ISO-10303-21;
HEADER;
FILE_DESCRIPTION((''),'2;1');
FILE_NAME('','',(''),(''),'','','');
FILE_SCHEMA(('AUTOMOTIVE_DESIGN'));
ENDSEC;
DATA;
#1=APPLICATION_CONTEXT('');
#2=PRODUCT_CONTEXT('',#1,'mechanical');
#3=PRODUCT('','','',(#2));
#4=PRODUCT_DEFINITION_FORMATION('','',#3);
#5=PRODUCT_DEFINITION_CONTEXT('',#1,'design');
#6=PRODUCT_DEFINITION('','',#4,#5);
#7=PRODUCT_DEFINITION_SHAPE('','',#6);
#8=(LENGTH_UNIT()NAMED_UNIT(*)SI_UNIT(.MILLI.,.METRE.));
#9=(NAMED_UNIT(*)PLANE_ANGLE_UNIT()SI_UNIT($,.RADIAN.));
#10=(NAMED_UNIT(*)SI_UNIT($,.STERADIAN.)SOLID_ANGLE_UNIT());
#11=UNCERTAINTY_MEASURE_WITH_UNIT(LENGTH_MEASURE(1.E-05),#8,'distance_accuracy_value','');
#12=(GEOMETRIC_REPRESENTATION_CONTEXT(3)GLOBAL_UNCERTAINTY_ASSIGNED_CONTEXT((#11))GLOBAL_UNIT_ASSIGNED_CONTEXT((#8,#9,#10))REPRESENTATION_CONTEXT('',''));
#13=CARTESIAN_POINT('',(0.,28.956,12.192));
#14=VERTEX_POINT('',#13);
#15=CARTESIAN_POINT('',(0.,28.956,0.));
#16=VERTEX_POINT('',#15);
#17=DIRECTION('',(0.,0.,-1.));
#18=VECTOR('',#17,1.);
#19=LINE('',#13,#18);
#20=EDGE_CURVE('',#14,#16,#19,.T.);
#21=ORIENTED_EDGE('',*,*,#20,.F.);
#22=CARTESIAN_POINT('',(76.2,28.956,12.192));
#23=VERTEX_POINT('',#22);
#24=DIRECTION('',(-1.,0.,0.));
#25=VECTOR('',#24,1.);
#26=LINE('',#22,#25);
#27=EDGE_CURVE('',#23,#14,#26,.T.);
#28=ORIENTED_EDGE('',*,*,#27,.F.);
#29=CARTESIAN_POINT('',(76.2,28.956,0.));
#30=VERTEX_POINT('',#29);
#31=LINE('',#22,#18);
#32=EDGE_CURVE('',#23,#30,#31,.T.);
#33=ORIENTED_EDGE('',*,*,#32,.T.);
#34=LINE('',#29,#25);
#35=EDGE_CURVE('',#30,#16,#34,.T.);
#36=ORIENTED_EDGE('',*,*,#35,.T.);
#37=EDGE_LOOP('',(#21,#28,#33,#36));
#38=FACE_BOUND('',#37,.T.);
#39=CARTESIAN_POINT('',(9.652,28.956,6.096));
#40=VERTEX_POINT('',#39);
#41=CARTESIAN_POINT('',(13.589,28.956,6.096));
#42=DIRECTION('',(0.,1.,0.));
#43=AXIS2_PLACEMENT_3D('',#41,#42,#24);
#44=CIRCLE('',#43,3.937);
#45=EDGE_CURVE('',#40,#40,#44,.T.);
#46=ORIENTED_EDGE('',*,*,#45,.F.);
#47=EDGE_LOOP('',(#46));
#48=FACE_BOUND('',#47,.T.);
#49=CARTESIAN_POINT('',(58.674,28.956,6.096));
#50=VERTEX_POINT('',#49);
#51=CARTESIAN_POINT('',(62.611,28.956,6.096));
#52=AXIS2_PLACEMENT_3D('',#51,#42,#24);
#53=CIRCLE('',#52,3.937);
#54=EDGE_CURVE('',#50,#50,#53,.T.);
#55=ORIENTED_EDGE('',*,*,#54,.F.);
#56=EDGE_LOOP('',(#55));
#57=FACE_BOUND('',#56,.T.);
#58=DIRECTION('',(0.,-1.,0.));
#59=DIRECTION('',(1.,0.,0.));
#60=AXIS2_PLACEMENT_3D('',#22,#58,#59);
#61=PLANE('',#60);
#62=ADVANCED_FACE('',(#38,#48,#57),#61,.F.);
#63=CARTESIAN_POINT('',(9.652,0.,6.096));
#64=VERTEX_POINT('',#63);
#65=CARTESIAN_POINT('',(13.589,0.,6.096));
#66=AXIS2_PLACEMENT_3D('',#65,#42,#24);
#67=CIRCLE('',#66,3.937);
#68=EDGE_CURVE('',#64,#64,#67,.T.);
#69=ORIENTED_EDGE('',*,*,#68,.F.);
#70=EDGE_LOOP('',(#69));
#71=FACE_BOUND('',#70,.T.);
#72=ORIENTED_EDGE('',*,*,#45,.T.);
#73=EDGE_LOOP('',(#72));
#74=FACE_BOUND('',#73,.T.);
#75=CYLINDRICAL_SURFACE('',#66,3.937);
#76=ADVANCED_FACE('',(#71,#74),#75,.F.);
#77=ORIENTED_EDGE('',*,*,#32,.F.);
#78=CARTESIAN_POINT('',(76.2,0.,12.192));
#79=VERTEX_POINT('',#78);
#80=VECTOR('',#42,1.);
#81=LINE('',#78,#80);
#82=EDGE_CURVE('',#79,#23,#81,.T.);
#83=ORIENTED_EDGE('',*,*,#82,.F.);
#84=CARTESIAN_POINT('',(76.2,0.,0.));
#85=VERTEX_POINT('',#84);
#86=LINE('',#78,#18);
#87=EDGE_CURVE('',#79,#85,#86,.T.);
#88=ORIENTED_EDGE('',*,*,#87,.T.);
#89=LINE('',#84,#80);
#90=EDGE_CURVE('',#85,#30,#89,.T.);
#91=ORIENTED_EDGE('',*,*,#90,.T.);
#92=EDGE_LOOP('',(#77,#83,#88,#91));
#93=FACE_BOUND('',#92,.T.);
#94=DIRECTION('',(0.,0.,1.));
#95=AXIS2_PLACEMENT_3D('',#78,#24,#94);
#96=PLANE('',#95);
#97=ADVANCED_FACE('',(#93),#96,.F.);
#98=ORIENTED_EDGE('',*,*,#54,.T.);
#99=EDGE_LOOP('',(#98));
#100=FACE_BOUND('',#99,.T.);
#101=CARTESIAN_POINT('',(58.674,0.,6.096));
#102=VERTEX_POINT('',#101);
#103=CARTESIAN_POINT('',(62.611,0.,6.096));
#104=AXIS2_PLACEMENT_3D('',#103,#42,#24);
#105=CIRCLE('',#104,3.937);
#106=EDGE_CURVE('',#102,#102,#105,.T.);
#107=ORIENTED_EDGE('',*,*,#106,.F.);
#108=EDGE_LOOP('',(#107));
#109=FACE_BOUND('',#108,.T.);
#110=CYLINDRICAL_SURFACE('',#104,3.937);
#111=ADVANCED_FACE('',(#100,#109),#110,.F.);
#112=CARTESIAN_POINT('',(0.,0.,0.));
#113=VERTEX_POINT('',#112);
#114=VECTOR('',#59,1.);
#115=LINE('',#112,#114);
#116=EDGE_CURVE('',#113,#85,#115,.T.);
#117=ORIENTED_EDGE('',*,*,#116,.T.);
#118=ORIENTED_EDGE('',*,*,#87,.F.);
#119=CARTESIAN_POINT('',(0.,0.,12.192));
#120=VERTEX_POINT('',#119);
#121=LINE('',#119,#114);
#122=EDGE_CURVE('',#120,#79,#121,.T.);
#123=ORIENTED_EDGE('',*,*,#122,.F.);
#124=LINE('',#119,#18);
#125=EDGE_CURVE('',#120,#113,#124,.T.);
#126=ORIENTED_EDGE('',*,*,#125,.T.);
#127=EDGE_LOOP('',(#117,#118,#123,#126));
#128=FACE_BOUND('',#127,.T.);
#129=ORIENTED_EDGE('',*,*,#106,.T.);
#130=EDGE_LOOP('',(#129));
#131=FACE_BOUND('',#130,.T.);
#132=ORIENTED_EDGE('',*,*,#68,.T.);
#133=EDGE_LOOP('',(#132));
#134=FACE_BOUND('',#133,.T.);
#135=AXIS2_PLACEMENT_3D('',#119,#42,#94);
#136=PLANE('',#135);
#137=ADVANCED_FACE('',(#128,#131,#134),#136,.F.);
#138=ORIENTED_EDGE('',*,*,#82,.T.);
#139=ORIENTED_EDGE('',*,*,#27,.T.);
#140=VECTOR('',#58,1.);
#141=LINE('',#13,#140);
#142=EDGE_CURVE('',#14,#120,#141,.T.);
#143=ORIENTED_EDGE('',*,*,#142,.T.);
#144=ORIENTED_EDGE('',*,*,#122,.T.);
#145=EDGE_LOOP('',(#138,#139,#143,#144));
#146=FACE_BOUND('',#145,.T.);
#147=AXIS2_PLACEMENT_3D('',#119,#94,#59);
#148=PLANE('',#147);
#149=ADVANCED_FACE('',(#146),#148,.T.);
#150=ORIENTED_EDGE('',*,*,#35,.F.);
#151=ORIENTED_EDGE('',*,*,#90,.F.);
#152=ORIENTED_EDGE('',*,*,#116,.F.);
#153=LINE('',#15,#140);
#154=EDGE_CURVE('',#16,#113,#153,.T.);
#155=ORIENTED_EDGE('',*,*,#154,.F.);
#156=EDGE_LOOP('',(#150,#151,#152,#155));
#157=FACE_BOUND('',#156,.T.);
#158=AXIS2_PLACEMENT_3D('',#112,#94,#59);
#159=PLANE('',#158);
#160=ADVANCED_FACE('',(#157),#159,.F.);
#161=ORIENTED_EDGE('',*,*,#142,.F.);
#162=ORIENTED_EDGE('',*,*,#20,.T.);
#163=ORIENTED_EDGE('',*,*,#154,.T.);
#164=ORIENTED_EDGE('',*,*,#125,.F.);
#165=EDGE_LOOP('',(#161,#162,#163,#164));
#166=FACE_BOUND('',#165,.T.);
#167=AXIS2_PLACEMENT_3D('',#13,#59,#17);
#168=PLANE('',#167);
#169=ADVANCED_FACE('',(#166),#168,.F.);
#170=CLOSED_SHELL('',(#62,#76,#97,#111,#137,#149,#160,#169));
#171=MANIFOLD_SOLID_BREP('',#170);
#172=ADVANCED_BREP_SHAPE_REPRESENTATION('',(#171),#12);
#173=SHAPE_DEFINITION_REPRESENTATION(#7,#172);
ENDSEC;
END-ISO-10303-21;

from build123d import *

# Parameters (mm, degrees)
SKETCH1_W           = 76.2
SKETCH1_H           = 28.956
BOSS_EXTRUDE1_DEPTH = 12.192
SKETCH2_R           = 3.937
CUT_EXTRUDE1_DEPTH  = 29.956


with BuildPart() as part:
    # Sketch1 → Boss-Extrude1 (new body)
    with BuildSketch(Plane.XY):
        with Locations((38.1, 14.478)):
            Rectangle(SKETCH1_W, SKETCH1_H)
    extrude(amount=BOSS_EXTRUDE1_DEPTH)

    # Sketch2 → Cut-Extrude1 (cut, through all)
    with BuildSketch(Plane(origin=(0, 28.956, 0), x_dir=(1, 0, 0), z_dir=(0, 1, 0))):
        with Locations(Location((62.611, -6.096, 0), (0, 0, 180))):  # turned: the seam where the file's is
            Circle(SKETCH2_R)
        with Locations(Location((13.589, -6.096, 0), (0, 0, 180))):  # turned: the seam where the file's is
            Circle(SKETCH2_R)
    extrude(amount=-CUT_EXTRUDE1_DEPTH, mode=Mode.SUBTRACT)


solid = part.part
